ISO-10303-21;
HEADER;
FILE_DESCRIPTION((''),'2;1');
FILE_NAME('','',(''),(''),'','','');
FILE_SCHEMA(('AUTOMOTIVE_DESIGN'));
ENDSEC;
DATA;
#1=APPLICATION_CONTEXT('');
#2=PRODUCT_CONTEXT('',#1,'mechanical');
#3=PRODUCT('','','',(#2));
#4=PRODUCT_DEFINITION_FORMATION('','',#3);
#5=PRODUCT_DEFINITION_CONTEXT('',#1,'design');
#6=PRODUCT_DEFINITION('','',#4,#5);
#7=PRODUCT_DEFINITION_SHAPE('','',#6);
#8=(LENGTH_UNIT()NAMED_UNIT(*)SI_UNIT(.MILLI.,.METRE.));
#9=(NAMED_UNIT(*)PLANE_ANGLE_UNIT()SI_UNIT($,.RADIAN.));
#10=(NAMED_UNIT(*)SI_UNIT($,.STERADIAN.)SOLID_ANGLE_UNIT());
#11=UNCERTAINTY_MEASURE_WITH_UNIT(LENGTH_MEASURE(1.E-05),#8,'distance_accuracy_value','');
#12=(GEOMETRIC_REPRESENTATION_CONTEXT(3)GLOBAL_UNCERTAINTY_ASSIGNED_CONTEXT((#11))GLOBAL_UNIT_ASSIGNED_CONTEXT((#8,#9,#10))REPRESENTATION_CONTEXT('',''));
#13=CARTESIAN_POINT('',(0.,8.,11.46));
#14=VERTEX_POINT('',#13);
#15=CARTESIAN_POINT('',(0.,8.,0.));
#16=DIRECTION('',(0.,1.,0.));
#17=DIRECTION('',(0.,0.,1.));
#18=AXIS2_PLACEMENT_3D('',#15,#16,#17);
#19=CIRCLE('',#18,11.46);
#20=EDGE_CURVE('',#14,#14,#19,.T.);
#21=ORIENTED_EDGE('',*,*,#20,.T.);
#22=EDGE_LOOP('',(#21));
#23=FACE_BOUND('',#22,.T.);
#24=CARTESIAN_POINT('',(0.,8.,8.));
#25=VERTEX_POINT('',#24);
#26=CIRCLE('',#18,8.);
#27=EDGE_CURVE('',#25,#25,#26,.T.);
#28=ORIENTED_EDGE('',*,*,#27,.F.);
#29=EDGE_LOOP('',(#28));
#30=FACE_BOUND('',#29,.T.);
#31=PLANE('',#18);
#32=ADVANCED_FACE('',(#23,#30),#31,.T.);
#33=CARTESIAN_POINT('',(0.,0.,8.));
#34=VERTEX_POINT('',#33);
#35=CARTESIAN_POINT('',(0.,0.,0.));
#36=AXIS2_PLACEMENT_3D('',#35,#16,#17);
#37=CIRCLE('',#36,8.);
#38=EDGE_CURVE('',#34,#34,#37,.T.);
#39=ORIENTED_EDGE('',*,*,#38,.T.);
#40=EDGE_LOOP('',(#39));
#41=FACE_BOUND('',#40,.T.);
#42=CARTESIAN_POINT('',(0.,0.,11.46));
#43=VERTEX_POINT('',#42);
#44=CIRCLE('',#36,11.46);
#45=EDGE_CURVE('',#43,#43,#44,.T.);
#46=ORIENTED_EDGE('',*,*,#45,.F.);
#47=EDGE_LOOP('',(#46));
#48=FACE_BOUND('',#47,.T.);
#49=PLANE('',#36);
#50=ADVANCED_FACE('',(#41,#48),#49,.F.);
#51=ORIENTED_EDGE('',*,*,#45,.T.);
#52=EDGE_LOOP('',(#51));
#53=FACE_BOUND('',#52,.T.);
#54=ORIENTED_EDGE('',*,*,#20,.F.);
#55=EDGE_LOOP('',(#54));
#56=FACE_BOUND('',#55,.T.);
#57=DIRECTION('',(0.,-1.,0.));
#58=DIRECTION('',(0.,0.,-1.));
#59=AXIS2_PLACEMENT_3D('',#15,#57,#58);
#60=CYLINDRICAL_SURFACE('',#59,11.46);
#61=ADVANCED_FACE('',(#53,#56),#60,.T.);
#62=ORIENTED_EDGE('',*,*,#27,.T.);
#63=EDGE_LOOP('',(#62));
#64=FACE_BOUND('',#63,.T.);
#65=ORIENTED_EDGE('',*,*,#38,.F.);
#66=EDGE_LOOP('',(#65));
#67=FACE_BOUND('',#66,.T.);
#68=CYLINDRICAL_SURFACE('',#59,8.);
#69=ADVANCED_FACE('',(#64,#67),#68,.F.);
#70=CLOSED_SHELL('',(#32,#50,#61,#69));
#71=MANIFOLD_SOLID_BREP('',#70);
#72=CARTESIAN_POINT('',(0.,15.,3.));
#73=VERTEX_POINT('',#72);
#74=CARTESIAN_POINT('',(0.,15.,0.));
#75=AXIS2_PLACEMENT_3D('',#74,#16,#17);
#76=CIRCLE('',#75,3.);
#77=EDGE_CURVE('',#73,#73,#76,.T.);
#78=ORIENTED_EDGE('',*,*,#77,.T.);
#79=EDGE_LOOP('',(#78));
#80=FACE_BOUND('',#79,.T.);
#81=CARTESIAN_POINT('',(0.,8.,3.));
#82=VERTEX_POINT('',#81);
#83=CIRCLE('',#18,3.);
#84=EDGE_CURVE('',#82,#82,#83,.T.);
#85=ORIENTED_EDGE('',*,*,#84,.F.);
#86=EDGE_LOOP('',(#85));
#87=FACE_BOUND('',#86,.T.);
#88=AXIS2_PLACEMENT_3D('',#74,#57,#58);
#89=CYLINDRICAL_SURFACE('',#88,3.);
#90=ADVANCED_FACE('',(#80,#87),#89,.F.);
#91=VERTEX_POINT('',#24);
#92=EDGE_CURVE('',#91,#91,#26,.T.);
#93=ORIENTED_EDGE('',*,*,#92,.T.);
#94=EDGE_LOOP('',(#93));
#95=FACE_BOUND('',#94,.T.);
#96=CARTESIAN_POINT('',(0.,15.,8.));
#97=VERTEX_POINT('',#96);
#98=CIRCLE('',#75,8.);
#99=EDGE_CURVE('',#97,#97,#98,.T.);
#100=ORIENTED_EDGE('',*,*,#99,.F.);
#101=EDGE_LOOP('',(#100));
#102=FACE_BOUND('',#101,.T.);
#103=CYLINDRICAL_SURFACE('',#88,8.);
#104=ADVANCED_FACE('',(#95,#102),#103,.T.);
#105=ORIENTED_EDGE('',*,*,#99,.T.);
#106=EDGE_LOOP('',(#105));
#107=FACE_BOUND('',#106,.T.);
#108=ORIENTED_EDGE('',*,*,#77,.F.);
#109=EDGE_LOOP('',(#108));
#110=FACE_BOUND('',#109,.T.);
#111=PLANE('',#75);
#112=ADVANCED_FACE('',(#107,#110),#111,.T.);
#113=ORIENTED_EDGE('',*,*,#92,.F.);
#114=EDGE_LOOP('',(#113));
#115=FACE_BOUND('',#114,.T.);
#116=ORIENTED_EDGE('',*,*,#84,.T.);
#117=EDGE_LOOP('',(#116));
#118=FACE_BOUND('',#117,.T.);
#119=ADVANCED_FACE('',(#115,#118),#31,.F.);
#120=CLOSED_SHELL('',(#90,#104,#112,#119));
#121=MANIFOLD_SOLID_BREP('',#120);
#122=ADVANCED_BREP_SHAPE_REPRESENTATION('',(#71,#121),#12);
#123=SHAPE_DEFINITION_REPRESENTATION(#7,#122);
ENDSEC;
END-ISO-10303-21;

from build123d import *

# Parameters (mm, degrees)
SKETCH1_R           = 11.46
SKETCH1_R_2         = 8
BOSS_EXTRUDE1_DEPTH = 8
SKETCH2_R           = 8
SKETCH2_R_2         = 3
BOSS_EXTRUDE2_DEPTH = 7


with BuildPart() as part:
    # Sketch1 → Boss-Extrude1 (new body)
    with BuildSketch(Plane(origin=(0, 0, 0), x_dir=(1, 0, 0), z_dir=(0, 1, 0))):
        Circle(SKETCH1_R)
        Circle(SKETCH1_R_2, mode=Mode.SUBTRACT)
    extrude(amount=BOSS_EXTRUDE1_DEPTH)


with BuildPart() as body_2:
    # Sketch2 → Boss-Extrude2 (new body)
    with BuildSketch(Plane(origin=(0, 8, 0), x_dir=(1, 0, 0), z_dir=(0, 1, 0))):
        Circle(SKETCH2_R)
        Circle(SKETCH2_R_2, mode=Mode.SUBTRACT)
    extrude(amount=BOSS_EXTRUDE2_DEPTH)


solid = Compound([part.part, body_2.part])
